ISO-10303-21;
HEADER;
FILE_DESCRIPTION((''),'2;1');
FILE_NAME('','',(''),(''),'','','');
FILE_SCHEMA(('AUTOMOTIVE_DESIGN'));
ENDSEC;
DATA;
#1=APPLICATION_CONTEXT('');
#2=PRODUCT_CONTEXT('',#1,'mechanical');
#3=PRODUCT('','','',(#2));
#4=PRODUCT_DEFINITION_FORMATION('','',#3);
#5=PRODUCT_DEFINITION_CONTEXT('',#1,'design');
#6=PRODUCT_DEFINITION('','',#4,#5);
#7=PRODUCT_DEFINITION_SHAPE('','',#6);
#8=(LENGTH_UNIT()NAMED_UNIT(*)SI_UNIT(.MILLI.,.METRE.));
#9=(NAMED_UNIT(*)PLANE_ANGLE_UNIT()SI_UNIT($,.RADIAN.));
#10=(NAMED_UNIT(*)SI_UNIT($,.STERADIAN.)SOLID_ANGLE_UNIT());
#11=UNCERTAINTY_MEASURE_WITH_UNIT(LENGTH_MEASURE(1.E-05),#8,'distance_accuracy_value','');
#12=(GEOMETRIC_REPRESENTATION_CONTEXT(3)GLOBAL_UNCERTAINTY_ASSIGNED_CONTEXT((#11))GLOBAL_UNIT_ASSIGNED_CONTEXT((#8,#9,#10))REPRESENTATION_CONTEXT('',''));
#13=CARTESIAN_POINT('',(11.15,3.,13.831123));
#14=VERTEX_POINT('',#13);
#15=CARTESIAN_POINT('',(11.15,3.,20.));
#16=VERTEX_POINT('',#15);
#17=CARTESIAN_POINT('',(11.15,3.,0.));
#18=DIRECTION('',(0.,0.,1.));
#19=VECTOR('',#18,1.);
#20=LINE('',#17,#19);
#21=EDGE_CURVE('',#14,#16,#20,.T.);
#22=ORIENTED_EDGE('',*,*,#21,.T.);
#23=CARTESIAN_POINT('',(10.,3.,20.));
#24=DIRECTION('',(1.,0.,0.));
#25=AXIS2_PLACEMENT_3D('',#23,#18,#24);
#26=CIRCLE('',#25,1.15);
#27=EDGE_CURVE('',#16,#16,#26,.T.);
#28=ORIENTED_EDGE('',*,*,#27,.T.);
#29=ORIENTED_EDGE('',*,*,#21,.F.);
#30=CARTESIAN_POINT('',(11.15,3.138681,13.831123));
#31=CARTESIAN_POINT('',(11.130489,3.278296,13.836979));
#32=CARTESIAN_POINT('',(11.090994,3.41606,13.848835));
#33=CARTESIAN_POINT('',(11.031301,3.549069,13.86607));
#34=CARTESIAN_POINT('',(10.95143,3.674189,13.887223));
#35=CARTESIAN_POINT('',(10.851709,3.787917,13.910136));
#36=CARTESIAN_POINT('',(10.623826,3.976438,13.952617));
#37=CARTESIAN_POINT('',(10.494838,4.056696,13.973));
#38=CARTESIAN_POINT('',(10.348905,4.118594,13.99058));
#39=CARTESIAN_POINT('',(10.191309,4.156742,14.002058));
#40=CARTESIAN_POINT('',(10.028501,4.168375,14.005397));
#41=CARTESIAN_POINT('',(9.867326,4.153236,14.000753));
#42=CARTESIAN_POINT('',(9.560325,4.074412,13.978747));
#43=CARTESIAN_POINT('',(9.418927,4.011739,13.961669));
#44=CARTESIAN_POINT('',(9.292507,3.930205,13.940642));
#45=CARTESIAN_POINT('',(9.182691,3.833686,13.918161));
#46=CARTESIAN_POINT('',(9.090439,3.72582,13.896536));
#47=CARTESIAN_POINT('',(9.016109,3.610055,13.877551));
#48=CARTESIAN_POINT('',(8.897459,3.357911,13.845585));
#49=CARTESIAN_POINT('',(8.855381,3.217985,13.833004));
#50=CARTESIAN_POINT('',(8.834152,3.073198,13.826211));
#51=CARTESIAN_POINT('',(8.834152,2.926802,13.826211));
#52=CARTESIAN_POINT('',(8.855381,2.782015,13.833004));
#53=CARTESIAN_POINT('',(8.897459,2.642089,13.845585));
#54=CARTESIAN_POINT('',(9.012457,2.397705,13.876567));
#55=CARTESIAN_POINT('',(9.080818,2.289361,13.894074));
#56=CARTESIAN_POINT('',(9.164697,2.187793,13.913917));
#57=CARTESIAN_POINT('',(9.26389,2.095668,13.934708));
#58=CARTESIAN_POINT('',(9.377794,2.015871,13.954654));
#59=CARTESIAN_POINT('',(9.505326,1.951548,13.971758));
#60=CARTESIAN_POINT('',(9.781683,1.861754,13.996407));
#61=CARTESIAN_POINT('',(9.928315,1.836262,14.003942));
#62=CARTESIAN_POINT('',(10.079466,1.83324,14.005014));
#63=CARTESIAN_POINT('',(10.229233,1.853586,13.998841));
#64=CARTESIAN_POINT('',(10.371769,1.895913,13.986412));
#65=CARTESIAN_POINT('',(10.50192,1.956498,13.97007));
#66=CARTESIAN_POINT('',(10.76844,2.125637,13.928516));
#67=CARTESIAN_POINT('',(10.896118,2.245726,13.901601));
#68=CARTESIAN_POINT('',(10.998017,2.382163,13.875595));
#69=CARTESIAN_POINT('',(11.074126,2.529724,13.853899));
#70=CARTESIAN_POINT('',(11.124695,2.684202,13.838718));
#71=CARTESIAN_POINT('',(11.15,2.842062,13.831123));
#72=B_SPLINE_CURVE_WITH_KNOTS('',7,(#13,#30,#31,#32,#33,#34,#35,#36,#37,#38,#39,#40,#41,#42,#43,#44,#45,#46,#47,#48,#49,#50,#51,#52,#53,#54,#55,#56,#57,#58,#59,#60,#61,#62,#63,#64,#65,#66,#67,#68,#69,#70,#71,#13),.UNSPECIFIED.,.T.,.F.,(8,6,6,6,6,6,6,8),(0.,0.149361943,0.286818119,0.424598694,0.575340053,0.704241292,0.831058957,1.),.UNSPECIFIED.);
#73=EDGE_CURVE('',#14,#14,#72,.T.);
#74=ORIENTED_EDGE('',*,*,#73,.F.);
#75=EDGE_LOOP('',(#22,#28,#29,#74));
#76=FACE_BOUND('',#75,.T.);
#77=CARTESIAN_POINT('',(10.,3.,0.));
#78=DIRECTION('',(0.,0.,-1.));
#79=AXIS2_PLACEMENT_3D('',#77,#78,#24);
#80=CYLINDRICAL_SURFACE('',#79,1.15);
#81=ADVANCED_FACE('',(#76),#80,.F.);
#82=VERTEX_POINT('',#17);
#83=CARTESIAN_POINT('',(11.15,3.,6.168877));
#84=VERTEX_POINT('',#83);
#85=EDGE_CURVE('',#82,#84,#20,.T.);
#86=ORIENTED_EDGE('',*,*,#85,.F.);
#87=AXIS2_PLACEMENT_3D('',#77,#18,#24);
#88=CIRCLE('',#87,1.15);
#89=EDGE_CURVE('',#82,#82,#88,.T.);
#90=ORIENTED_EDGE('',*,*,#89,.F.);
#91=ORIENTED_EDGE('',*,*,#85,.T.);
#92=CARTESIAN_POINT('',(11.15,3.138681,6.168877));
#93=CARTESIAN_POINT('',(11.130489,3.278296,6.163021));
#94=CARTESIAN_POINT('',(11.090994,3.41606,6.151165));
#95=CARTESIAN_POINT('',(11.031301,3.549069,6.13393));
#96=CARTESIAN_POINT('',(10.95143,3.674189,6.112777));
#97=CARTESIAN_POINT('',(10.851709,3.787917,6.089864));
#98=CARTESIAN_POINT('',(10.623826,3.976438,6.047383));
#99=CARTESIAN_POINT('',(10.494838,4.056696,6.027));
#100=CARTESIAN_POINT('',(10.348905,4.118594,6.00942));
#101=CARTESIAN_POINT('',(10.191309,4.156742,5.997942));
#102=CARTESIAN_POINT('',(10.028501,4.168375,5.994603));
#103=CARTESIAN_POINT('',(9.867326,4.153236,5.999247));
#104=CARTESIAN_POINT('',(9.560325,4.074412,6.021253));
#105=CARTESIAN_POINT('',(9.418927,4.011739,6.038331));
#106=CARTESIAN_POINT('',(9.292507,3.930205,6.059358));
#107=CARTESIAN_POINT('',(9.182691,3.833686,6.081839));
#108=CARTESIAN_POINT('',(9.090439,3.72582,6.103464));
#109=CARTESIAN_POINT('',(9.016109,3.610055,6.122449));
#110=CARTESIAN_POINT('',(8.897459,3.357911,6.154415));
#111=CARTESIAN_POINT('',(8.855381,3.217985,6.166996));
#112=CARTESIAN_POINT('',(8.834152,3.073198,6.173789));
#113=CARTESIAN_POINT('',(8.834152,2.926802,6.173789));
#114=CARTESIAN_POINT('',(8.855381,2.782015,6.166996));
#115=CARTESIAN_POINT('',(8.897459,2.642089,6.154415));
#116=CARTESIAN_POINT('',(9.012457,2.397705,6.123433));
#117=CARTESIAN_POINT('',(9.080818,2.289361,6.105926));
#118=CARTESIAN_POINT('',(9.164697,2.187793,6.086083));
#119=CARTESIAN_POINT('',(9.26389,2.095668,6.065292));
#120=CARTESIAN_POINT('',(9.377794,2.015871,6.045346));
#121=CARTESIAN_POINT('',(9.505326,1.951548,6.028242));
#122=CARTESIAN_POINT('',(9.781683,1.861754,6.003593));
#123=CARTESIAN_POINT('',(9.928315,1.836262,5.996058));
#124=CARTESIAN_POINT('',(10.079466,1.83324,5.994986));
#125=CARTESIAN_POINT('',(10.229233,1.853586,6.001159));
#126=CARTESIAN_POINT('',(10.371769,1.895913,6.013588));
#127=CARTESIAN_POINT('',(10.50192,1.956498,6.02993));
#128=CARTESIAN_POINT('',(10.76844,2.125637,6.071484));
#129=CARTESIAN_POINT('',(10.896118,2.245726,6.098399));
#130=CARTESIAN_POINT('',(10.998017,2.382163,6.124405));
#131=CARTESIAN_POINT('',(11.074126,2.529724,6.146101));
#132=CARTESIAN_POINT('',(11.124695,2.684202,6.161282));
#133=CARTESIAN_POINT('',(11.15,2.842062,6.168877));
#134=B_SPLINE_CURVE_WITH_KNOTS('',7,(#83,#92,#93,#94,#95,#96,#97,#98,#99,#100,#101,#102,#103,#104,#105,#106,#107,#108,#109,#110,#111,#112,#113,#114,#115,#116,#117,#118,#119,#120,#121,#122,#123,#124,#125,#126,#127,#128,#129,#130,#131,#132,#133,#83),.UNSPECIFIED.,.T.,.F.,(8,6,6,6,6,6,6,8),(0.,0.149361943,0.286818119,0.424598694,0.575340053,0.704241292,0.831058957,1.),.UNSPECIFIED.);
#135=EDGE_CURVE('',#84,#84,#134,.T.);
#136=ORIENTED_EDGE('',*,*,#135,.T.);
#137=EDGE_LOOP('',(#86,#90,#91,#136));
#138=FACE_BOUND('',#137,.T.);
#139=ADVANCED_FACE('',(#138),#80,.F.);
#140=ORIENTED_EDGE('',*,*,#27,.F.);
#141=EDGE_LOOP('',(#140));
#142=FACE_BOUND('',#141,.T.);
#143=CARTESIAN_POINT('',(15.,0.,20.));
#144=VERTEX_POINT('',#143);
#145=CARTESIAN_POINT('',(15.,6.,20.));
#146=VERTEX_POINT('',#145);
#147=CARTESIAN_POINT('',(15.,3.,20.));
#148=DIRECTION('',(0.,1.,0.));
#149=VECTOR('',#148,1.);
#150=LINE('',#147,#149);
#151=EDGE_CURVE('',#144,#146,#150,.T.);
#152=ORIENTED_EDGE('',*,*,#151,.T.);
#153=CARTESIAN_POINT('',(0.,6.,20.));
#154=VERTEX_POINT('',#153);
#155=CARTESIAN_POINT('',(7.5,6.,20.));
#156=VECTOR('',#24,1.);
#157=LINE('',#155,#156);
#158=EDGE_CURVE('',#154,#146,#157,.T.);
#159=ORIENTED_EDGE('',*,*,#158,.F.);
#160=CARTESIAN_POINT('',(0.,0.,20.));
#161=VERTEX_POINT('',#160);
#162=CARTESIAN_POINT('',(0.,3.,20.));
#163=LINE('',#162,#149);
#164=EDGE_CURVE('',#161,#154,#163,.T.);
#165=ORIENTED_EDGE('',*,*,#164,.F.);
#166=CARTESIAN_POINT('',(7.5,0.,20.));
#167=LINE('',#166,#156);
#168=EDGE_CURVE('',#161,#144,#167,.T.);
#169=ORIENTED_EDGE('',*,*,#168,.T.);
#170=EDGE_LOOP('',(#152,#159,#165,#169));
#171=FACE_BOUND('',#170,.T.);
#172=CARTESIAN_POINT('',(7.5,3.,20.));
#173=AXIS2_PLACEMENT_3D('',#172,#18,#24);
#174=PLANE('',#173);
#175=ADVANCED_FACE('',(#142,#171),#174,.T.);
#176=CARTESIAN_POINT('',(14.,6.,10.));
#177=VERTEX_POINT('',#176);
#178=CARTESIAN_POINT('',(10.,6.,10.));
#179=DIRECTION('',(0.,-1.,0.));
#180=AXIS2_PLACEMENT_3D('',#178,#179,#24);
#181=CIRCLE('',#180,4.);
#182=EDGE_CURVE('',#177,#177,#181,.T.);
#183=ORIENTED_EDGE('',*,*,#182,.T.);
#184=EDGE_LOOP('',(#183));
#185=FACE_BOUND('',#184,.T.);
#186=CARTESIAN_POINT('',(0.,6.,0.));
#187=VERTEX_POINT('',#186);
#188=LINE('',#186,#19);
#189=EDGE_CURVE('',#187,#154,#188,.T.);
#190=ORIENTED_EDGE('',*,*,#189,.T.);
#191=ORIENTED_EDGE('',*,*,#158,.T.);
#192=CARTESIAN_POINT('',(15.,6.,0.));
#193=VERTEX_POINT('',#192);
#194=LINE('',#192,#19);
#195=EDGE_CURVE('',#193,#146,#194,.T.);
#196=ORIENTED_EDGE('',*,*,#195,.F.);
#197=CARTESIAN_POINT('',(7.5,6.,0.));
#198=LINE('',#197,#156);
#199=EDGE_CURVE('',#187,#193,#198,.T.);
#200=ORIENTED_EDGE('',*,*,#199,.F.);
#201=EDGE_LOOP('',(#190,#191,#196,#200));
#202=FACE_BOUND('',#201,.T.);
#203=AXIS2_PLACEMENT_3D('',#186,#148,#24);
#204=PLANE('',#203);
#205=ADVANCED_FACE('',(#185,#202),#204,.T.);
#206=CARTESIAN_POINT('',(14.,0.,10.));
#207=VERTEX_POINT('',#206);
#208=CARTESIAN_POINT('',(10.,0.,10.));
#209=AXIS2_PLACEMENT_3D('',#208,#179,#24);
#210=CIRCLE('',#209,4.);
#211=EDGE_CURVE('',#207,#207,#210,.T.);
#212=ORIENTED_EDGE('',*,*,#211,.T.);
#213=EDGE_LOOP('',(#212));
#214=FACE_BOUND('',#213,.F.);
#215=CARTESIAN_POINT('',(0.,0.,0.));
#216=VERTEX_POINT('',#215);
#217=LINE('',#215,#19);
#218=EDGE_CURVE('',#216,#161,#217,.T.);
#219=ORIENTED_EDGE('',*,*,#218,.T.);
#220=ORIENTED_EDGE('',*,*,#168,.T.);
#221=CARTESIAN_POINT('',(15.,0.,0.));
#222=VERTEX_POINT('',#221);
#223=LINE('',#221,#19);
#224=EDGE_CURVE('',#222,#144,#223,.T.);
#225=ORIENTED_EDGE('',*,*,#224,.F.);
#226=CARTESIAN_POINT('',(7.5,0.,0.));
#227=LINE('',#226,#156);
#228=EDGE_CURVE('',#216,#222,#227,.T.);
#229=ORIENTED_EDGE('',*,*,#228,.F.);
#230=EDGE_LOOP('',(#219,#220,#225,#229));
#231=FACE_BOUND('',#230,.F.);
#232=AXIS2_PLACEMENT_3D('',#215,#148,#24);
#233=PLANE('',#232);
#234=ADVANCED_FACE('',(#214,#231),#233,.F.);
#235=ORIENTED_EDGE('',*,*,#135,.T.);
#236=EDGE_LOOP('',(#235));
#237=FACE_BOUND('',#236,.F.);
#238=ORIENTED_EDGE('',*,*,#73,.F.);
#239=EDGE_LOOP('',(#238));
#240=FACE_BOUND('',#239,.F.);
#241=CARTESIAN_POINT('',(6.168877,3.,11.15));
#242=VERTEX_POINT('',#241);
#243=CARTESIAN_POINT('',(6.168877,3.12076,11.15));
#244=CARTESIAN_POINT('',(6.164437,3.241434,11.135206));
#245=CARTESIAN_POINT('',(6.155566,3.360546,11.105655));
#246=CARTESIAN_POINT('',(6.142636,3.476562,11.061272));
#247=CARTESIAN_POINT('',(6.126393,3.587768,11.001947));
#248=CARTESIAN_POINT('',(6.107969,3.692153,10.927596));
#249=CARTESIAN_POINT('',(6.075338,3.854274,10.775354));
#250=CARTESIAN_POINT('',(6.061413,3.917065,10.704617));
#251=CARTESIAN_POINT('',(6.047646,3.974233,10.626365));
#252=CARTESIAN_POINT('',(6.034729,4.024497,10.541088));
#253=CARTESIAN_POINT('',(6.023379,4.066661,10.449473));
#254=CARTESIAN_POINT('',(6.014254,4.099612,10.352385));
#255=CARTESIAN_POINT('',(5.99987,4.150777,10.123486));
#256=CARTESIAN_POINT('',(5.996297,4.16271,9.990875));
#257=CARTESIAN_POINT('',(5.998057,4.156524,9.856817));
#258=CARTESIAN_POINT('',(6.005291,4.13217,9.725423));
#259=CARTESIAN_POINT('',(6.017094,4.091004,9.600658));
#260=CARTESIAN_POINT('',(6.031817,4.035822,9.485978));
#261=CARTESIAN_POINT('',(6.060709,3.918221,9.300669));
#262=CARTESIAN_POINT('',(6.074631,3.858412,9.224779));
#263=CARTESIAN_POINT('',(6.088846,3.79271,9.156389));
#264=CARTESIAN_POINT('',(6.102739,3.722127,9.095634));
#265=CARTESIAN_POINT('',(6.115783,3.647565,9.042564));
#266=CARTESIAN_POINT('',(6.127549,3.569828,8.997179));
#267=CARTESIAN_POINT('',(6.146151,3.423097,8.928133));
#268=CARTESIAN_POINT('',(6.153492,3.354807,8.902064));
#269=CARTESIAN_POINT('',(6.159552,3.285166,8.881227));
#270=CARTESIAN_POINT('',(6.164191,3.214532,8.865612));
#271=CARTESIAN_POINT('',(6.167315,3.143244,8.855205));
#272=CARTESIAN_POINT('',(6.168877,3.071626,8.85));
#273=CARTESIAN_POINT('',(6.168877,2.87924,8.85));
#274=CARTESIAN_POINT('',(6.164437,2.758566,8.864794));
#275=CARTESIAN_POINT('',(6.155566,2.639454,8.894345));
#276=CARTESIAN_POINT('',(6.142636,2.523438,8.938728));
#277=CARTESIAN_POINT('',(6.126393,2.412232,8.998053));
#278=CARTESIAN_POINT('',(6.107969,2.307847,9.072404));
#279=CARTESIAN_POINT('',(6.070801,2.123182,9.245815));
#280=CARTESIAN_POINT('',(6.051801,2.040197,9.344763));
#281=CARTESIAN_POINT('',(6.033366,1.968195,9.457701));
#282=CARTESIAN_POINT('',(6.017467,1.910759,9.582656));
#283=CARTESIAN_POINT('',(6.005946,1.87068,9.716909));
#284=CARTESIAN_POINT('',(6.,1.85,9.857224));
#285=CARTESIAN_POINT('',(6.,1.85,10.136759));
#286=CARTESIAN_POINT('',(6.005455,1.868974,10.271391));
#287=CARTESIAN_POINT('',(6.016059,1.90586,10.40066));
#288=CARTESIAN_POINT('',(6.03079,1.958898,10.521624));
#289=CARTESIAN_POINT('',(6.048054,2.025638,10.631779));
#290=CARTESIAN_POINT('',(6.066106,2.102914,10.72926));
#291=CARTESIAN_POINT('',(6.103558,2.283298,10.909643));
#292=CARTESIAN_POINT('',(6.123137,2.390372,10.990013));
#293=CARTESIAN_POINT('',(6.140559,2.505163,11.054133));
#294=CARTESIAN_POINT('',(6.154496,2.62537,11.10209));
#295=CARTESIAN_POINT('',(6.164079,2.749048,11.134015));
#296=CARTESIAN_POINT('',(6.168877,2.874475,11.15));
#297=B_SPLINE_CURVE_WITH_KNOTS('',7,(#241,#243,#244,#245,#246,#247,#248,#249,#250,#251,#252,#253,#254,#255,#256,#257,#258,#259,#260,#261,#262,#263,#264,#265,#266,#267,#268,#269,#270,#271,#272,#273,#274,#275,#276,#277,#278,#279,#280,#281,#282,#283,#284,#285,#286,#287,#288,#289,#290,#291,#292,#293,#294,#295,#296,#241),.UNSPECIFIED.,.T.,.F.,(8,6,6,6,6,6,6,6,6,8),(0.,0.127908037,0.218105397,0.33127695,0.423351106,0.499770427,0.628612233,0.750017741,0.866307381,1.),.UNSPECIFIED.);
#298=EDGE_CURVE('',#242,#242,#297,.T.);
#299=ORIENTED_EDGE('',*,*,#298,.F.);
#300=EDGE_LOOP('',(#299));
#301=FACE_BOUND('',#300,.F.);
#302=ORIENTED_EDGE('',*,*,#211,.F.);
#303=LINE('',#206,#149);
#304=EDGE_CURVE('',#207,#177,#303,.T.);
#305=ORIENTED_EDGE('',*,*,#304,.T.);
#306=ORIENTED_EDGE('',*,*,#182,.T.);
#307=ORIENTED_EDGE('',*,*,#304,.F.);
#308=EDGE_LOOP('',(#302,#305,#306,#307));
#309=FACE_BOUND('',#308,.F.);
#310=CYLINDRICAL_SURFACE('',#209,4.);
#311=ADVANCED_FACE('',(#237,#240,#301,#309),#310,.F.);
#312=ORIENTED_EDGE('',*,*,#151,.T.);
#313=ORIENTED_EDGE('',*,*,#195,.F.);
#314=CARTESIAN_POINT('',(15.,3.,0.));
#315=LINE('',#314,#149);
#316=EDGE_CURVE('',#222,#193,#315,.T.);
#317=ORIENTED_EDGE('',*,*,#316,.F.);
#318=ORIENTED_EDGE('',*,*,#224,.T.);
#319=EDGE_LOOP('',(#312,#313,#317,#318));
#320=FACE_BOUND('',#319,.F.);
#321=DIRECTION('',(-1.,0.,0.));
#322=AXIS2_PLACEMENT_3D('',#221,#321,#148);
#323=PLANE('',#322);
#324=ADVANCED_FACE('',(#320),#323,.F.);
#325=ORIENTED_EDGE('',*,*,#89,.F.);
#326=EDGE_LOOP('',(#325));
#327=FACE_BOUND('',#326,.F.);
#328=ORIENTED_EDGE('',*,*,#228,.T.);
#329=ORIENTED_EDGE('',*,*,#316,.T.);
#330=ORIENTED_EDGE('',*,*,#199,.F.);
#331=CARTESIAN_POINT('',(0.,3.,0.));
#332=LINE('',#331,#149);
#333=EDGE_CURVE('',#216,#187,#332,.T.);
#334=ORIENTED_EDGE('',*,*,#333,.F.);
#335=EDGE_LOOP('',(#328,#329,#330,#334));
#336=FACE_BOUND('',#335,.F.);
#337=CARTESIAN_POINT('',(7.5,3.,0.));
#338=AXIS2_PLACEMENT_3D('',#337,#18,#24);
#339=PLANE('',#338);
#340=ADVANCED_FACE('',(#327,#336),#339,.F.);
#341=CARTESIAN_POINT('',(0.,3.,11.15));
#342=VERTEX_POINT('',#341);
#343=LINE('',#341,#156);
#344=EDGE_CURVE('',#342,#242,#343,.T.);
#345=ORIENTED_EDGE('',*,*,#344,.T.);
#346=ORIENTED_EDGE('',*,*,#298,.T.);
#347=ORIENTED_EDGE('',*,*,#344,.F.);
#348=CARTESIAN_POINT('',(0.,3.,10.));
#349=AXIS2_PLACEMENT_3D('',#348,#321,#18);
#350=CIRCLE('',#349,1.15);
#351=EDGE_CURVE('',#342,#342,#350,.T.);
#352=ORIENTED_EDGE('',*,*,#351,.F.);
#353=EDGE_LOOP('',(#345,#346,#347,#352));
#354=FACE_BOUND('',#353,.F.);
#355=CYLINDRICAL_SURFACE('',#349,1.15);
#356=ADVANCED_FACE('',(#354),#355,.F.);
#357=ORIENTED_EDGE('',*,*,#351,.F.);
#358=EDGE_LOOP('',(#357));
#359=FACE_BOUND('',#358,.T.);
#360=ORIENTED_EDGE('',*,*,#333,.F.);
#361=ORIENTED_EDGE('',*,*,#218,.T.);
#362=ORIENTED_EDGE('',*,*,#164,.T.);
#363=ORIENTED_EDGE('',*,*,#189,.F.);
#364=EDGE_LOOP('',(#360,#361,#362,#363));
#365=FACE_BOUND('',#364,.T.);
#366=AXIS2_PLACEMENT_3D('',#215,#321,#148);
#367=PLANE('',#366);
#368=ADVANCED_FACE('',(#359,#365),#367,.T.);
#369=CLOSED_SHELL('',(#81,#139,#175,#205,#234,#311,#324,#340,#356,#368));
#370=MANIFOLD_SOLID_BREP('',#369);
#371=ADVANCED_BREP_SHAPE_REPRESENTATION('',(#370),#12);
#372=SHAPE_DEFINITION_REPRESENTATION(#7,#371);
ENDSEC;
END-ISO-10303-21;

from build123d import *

# Parameters (mm, degrees)
SKETCH1_W           = 15
SKETCH1_H           = 6
SKETCH1_R           = 1.15
BOSS_EXTRUDE1_DEPTH = 20
SKETCH2_R           = 4
CUT_EXTRUDE2_DEPTH  = 20
CUT_EXTRUDE3_REACH  = 17
SKETCH4_R           = 1.15


with BuildPart() as part:
    # Sketch1 → Boss-Extrude1 (new body)
    with BuildSketch(Plane.XY):
        with Locations((7.5, 3)):
            Rectangle(SKETCH1_W, SKETCH1_H)
        with Locations((10, 3)):
            Circle(SKETCH1_R, mode=Mode.SUBTRACT)
    extrude(amount=BOSS_EXTRUDE1_DEPTH)

    # Sketch2 → Cut-Extrude2 (cut)
    with BuildSketch(Plane.XZ):
        with Locations((10, 10)):
            Circle(SKETCH2_R)
    extrude(amount=-CUT_EXTRUDE2_DEPTH, mode=Mode.SUBTRACT)

    # Sketch4 → Cut-Extrude3 (cut, up to next)
    with BuildSketch(Plane.ZY, mode=Mode.PRIVATE) as cut_extrude3_sk1:
        with Locations((10, 3)):
            Circle(SKETCH4_R)
    cut_extrude3_tool1 = extrude(cut_extrude3_sk1.sketch, amount=-CUT_EXTRUDE3_REACH, mode=Mode.PRIVATE) & part.part
    add(cut_extrude3_tool1.solids().sort_by_distance((0, 3, 10))[0], mode=Mode.SUBTRACT)


solid = part.part
